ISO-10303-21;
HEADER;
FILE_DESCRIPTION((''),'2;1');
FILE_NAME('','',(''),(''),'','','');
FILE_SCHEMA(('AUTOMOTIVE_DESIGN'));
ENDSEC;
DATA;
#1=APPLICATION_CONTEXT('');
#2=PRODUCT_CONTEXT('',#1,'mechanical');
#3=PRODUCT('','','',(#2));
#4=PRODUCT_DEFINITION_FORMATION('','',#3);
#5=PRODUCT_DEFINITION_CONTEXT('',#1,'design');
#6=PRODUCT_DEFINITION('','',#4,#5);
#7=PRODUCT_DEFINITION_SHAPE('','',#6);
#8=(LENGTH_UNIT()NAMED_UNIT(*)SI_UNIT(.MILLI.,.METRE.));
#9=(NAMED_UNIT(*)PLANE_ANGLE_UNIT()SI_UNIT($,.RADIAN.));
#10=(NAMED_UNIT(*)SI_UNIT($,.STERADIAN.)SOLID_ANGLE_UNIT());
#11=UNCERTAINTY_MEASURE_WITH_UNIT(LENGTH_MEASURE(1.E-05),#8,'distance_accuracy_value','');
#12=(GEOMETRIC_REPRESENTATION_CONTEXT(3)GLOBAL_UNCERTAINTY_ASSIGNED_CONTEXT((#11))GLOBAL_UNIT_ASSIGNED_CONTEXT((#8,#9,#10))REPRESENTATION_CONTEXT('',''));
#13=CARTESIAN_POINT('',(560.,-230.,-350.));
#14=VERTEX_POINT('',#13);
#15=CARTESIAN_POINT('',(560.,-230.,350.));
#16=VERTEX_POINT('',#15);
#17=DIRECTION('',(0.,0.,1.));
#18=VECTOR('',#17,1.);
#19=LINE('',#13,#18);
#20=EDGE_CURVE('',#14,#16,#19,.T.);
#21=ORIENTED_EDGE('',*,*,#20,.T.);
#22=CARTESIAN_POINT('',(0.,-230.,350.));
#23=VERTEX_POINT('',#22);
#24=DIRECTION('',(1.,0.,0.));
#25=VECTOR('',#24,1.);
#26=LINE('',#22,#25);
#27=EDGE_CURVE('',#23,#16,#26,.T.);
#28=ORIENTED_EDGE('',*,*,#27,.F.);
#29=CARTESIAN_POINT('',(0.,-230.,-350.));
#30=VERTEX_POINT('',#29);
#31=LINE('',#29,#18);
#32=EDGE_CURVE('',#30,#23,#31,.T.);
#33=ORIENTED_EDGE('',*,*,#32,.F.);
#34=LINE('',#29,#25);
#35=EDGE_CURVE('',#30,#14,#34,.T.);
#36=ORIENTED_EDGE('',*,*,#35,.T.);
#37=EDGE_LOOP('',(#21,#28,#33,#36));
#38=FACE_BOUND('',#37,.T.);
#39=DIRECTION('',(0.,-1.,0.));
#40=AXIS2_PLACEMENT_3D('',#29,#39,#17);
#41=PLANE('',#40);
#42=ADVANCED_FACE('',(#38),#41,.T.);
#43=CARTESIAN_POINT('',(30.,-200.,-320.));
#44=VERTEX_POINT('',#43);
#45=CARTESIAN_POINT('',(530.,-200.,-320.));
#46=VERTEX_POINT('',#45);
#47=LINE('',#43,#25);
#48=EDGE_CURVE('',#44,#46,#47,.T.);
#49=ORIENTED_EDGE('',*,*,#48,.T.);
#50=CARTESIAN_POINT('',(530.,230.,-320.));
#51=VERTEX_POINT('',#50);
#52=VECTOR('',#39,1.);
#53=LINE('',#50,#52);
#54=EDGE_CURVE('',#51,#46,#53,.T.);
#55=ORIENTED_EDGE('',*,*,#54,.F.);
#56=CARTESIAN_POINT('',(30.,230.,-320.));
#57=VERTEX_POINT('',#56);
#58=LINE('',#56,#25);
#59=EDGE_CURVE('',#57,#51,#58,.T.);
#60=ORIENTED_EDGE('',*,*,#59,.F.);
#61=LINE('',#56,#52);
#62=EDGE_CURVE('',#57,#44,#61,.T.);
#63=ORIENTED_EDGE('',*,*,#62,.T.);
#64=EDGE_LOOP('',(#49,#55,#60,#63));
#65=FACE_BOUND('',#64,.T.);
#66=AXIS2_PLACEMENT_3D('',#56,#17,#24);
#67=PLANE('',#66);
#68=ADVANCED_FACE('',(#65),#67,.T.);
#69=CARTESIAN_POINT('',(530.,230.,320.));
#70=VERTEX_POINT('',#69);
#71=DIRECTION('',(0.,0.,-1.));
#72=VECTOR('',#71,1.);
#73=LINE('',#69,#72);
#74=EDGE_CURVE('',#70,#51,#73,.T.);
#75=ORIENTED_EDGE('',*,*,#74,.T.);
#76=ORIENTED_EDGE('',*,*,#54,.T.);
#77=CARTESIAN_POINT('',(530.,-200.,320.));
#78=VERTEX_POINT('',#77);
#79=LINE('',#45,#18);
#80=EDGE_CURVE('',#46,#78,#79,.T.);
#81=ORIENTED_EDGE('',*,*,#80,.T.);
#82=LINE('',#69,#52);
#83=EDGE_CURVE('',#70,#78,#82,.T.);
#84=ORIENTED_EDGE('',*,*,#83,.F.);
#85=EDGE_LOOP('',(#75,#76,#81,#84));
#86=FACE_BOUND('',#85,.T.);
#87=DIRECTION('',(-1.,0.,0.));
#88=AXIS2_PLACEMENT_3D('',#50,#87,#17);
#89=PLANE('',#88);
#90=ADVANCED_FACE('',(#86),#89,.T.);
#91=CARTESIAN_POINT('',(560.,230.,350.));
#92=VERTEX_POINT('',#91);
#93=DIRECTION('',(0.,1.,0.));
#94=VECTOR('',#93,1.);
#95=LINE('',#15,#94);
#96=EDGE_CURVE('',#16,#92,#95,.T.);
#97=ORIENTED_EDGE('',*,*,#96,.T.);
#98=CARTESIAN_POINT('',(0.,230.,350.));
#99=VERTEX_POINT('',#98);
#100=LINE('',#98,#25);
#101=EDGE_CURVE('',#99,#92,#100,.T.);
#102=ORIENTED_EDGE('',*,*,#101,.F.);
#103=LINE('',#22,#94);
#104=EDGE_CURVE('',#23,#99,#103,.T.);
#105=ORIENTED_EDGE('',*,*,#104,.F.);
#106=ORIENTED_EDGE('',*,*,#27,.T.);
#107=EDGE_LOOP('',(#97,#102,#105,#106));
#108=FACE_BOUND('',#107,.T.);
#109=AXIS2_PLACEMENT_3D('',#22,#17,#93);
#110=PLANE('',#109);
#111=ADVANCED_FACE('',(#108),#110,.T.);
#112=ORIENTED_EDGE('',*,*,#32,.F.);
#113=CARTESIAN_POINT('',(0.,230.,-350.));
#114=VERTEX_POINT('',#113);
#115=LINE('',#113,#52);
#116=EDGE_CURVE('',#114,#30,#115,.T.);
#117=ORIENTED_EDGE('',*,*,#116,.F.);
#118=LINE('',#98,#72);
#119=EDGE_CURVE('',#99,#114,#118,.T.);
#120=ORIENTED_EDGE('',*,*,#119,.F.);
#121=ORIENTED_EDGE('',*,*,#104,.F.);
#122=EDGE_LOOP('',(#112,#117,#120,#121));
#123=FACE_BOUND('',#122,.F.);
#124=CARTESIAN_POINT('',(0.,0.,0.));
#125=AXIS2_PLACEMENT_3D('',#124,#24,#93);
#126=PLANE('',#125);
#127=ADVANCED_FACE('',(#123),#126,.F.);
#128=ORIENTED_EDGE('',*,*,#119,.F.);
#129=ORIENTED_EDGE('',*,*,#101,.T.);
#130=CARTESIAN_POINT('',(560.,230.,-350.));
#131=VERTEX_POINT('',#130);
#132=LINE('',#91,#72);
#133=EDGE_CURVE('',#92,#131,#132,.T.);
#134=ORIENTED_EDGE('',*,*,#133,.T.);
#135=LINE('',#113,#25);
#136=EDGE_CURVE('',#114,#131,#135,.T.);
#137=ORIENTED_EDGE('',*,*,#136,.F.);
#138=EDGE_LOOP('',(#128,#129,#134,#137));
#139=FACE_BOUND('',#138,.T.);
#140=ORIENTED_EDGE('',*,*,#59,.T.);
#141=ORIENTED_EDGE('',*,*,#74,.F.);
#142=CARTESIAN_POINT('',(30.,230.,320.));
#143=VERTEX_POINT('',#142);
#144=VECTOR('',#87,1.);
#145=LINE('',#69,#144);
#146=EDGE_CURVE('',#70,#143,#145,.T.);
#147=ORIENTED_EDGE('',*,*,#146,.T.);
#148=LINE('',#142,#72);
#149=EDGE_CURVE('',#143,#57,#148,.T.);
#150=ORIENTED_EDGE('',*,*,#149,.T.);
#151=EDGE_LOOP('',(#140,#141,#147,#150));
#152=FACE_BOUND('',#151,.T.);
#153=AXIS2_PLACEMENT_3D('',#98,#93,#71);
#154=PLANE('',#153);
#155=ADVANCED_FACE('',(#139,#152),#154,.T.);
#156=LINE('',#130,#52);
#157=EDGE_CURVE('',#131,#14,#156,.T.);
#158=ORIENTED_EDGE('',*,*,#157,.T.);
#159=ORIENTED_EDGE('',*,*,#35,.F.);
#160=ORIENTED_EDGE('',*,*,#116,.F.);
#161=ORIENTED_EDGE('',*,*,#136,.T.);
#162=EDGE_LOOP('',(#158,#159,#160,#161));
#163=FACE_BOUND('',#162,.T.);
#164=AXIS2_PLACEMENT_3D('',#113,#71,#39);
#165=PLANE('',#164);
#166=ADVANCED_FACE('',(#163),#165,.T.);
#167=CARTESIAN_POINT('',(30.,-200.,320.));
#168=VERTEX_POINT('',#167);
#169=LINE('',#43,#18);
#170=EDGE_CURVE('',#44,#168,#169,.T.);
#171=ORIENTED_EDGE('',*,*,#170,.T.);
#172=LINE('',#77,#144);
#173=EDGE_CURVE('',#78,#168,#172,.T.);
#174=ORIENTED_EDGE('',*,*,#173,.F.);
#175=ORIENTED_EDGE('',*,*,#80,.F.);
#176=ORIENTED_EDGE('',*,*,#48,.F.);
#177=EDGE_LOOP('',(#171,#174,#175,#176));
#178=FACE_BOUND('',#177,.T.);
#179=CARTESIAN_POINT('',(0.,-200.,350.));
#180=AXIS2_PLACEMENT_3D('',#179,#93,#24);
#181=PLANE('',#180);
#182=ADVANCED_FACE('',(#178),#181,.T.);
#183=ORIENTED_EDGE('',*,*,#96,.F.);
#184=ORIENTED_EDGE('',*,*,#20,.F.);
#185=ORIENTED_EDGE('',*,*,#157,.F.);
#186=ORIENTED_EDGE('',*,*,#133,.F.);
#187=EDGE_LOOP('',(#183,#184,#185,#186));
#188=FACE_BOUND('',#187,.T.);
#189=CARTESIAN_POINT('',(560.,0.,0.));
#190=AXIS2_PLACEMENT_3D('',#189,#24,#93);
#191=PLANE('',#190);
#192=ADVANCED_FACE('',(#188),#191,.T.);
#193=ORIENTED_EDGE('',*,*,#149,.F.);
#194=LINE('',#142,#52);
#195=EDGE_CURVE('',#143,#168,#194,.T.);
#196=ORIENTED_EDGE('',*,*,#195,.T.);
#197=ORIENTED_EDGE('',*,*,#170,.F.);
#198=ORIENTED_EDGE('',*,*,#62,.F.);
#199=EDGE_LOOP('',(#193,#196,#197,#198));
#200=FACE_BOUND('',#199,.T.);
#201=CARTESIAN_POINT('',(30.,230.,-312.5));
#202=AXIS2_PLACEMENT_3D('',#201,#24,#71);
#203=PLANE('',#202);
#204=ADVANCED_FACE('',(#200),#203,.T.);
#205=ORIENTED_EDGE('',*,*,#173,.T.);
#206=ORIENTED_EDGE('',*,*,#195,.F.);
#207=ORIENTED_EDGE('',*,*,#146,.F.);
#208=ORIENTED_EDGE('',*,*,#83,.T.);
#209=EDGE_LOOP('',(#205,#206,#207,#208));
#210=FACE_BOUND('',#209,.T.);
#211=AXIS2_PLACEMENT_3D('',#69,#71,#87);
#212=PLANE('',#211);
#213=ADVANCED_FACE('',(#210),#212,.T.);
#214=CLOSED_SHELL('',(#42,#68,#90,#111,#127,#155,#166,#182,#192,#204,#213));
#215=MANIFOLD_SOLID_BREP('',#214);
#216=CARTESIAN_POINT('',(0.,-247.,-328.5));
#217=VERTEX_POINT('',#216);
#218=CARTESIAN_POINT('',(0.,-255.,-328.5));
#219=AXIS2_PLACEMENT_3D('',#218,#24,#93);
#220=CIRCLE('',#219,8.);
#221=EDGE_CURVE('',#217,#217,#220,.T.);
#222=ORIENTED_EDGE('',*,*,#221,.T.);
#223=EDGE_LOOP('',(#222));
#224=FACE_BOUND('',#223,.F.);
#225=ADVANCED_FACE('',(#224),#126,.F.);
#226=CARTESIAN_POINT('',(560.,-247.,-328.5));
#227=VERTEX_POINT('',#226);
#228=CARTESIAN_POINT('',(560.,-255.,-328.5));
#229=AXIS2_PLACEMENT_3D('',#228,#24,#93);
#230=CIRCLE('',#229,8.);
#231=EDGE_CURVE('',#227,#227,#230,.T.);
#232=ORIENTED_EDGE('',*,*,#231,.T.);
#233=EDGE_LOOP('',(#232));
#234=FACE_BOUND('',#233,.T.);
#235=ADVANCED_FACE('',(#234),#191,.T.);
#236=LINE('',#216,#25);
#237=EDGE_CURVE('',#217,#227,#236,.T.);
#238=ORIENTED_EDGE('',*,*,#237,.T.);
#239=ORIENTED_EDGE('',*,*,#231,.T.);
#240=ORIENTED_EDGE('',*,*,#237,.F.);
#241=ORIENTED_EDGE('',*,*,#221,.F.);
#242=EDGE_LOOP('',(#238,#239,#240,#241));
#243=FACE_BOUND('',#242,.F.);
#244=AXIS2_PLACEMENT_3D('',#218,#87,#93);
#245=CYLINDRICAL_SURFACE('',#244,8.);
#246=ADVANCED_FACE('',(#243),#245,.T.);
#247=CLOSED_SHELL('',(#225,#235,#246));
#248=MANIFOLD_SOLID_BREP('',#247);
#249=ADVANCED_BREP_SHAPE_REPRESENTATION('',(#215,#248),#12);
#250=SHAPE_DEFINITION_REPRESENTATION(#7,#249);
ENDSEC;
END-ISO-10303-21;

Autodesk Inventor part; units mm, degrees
ref_plane "YZ Plane" through (0, 0, 0) normal (1, 0, 0) x (0, 1, 0)
ref_plane "XZ Plane" through (0, 0, 0) normal (0, 1, 0) x (-1, 0, 0)
ref_plane "XY Plane" through (0, 0, 0) normal (0, 0, 1) x (1, 0, 0)
sketch "스케치1" plane through (0, 0, 0) normal (1, 0, 0) x (0, 1, 0)
  line L0 (-230, 350) -> (230, 350)
  line L1 (230, 350) -> (230, -350)
  line L2 (230, -350) -> (-230, -350)
  line L3 (-230, -350) -> (-230, 350)
  line L4 (-230, 350) -> (230, -350) construction
  line L5 (230, 350) -> (-230, -350) construction
  circle A0 centre (-255, -328.5) radius 8
  point P0 (0, 0)
  dimension "d0" = 460
  dimension "d1" = 700
  dimension "d4" = 16
  dimension "d5" = 25
  dimension "d7" = 21.5
extrude "돌출2" add sketch "스케치1" along normal blind 560
sketch "스케치2" plane through (0, 230, 350) normal (0, 1, 0) x (1, 0, 0)
  line L0 (0, 700) -> (0, 0) projected
  line L1 (560, 0) -> (560, 700) projected
  line L2 (0, 0) -> (560, 700)
  line L3 (560, 0) -> (0, 700)
  line L4 (530, 30) -> (30, 30)
  line L5 (30, 30) -> (30, 670)
  line L6 (30, 670) -> (530, 670)
  line L7 (530, 670) -> (530, 30)
  line L8 (530, 30) -> (30, 670) construction
  line L9 (30, 30) -> (530, 670) construction
  point P0 (0, 350)
  point P1 (280, 350)
  dimension "d10" = 500
  dimension "d11" = 640
extrude "돌출3" cut sketch "스케치2" against normal blind 430 contours L5 L6 L7 L2 L3 | L3 L2 L5 | L2 L3 L7 L4 L5 | L2 L7 L3
